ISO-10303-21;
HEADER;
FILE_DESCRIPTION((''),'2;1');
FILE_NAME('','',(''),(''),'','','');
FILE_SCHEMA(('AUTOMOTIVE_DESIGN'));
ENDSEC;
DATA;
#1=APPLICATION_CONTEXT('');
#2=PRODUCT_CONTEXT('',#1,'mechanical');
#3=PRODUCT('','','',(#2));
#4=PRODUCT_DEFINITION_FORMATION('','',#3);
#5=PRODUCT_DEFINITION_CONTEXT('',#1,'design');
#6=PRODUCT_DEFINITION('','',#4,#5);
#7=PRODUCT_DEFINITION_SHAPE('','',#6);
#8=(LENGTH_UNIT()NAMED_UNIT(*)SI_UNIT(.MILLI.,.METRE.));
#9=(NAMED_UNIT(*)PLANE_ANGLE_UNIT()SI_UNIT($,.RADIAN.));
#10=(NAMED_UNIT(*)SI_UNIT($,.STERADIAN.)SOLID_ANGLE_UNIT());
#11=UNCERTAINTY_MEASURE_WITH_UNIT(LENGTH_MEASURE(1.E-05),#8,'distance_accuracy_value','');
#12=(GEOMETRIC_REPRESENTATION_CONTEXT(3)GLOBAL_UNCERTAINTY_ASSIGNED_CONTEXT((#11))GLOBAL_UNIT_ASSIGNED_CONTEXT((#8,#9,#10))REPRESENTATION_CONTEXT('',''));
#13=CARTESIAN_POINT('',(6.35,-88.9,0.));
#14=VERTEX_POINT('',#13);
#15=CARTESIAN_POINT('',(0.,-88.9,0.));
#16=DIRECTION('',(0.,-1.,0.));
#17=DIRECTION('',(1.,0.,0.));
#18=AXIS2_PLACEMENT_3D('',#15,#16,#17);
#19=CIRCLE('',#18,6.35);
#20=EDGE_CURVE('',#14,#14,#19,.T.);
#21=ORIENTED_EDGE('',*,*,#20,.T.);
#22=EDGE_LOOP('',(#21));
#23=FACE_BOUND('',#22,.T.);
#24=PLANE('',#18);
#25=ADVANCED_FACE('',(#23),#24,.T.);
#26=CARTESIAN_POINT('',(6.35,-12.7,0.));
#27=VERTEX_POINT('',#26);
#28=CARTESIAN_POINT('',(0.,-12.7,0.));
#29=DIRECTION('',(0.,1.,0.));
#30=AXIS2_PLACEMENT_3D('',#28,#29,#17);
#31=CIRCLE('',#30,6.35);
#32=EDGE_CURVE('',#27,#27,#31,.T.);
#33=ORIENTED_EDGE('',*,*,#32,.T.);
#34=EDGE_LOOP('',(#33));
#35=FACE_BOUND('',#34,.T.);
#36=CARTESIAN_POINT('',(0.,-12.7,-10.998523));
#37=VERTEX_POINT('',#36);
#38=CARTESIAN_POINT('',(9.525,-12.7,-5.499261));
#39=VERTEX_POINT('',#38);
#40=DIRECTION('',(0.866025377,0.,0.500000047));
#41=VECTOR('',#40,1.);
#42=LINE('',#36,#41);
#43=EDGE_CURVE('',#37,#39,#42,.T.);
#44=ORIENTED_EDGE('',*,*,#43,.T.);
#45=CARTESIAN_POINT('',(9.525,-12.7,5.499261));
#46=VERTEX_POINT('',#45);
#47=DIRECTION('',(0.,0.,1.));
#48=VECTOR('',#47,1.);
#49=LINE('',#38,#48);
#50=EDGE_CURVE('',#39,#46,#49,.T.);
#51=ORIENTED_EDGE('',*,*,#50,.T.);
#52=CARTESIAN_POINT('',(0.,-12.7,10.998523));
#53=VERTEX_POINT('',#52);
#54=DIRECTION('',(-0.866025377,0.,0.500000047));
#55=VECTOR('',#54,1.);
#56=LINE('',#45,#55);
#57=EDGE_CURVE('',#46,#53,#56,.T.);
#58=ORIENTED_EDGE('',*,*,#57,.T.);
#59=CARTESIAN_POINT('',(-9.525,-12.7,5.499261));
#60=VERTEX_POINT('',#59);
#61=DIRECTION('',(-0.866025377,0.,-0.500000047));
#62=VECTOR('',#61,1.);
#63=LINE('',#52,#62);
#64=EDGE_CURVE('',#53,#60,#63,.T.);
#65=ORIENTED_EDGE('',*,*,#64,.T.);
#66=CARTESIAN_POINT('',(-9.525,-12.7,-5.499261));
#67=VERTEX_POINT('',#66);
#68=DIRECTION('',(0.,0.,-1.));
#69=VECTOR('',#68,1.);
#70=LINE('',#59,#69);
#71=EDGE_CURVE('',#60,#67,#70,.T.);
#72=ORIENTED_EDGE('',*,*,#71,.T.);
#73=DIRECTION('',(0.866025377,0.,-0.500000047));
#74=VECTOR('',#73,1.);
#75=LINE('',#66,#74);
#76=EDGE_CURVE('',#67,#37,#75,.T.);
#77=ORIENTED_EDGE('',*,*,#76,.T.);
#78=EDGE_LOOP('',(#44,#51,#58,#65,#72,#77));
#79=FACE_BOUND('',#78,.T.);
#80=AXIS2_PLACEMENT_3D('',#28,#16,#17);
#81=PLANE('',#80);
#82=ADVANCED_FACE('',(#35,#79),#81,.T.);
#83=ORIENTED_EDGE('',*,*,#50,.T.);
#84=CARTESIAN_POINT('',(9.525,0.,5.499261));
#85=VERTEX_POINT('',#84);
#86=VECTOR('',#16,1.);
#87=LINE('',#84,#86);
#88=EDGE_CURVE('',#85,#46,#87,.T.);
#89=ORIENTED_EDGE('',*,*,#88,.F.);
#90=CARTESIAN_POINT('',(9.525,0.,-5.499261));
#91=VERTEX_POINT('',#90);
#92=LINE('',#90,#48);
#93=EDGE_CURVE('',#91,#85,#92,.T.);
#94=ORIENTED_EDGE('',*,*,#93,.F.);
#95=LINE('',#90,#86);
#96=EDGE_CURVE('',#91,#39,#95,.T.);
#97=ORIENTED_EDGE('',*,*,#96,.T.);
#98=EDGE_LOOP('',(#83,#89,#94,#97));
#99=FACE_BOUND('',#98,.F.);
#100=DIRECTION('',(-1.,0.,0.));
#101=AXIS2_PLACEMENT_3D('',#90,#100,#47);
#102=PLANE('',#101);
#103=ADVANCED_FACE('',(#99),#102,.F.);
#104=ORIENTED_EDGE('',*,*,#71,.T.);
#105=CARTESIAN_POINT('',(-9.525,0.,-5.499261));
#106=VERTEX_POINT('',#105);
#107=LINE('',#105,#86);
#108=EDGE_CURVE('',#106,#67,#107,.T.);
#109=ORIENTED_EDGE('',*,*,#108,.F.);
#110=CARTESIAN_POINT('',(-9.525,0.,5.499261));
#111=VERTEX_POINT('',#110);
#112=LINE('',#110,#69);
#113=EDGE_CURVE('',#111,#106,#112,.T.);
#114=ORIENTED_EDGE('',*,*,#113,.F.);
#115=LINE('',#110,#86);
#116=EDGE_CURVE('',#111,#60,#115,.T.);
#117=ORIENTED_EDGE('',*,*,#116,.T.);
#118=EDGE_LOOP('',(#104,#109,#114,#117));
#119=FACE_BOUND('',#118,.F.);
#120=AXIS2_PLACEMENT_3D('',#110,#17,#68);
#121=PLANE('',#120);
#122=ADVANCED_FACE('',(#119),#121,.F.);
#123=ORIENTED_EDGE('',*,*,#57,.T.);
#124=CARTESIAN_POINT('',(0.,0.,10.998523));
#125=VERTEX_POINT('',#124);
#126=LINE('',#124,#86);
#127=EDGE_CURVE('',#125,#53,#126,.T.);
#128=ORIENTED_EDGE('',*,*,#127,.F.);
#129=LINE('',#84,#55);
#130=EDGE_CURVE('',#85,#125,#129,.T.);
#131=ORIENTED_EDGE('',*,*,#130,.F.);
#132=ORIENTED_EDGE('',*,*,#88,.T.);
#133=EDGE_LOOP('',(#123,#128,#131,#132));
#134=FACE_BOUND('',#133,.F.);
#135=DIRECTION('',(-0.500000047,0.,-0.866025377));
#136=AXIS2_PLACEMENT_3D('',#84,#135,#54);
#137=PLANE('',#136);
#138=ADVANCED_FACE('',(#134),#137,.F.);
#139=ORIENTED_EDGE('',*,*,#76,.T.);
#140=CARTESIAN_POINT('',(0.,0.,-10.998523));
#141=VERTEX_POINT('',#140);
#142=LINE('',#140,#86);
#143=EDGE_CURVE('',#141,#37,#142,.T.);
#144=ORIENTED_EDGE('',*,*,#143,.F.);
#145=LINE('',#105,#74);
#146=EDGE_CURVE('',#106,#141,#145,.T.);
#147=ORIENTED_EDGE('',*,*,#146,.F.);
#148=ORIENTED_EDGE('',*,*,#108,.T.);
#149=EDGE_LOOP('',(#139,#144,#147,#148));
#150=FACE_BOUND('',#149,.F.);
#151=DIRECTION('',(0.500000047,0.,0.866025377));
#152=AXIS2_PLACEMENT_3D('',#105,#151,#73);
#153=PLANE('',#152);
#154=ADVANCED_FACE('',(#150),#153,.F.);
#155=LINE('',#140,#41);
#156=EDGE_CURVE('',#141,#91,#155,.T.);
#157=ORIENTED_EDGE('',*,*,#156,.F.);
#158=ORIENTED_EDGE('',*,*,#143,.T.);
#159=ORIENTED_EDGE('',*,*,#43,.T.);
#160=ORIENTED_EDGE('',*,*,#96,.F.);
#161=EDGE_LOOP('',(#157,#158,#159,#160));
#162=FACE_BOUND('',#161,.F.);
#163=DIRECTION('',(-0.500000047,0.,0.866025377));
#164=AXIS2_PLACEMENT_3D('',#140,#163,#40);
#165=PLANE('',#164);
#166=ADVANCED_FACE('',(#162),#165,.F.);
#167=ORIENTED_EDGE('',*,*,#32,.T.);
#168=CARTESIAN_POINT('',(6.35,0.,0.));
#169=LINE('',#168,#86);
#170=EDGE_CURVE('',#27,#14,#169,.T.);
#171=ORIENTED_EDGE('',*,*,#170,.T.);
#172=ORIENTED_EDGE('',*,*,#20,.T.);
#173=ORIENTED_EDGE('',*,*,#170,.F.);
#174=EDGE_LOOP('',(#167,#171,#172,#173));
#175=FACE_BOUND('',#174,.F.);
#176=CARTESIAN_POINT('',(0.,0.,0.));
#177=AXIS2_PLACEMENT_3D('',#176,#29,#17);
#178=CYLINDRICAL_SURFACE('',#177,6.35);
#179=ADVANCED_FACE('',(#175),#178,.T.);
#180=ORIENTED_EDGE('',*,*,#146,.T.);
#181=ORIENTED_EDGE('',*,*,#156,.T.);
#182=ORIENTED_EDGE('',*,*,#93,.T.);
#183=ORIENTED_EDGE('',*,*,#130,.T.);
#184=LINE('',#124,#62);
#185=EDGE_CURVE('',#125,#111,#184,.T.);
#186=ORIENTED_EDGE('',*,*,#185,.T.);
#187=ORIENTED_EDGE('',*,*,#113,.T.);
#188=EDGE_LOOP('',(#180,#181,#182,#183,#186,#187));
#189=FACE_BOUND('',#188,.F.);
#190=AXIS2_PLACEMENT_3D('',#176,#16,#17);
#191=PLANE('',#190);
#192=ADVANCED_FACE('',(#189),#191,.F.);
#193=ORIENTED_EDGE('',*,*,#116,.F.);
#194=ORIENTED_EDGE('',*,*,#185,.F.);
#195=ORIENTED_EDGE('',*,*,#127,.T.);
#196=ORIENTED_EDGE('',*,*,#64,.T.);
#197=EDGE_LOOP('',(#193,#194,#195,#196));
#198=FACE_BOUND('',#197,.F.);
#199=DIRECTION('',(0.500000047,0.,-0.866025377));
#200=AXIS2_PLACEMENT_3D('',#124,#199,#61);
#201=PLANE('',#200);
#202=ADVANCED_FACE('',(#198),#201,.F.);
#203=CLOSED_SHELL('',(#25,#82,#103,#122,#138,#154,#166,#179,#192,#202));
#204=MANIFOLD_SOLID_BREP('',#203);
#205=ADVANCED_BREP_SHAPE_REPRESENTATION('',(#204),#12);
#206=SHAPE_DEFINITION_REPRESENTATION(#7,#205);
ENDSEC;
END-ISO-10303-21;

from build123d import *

# Parameters (mm, degrees)
F0_R     = 6.35
F1_DEPTH = 88.9
F3_DEPTH = 12.7


with BuildPart() as f1:
    # F0 (on Front) → F1 (new body)
    with BuildSketch(Plane.XZ):
        Circle(F0_R)
    extrude(amount=F1_DEPTH)

    # F2 (on Front) → F3 (join)
    with BuildSketch(Plane.XZ):
        Polygon((-9.525, 5.499261), (-9.525, -5.499261), (0, -10.998523), (9.525, -5.499261), (9.525, 5.499261), (0, 10.998523), align=None)
    extrude(amount=F3_DEPTH)


solid = f1.part
